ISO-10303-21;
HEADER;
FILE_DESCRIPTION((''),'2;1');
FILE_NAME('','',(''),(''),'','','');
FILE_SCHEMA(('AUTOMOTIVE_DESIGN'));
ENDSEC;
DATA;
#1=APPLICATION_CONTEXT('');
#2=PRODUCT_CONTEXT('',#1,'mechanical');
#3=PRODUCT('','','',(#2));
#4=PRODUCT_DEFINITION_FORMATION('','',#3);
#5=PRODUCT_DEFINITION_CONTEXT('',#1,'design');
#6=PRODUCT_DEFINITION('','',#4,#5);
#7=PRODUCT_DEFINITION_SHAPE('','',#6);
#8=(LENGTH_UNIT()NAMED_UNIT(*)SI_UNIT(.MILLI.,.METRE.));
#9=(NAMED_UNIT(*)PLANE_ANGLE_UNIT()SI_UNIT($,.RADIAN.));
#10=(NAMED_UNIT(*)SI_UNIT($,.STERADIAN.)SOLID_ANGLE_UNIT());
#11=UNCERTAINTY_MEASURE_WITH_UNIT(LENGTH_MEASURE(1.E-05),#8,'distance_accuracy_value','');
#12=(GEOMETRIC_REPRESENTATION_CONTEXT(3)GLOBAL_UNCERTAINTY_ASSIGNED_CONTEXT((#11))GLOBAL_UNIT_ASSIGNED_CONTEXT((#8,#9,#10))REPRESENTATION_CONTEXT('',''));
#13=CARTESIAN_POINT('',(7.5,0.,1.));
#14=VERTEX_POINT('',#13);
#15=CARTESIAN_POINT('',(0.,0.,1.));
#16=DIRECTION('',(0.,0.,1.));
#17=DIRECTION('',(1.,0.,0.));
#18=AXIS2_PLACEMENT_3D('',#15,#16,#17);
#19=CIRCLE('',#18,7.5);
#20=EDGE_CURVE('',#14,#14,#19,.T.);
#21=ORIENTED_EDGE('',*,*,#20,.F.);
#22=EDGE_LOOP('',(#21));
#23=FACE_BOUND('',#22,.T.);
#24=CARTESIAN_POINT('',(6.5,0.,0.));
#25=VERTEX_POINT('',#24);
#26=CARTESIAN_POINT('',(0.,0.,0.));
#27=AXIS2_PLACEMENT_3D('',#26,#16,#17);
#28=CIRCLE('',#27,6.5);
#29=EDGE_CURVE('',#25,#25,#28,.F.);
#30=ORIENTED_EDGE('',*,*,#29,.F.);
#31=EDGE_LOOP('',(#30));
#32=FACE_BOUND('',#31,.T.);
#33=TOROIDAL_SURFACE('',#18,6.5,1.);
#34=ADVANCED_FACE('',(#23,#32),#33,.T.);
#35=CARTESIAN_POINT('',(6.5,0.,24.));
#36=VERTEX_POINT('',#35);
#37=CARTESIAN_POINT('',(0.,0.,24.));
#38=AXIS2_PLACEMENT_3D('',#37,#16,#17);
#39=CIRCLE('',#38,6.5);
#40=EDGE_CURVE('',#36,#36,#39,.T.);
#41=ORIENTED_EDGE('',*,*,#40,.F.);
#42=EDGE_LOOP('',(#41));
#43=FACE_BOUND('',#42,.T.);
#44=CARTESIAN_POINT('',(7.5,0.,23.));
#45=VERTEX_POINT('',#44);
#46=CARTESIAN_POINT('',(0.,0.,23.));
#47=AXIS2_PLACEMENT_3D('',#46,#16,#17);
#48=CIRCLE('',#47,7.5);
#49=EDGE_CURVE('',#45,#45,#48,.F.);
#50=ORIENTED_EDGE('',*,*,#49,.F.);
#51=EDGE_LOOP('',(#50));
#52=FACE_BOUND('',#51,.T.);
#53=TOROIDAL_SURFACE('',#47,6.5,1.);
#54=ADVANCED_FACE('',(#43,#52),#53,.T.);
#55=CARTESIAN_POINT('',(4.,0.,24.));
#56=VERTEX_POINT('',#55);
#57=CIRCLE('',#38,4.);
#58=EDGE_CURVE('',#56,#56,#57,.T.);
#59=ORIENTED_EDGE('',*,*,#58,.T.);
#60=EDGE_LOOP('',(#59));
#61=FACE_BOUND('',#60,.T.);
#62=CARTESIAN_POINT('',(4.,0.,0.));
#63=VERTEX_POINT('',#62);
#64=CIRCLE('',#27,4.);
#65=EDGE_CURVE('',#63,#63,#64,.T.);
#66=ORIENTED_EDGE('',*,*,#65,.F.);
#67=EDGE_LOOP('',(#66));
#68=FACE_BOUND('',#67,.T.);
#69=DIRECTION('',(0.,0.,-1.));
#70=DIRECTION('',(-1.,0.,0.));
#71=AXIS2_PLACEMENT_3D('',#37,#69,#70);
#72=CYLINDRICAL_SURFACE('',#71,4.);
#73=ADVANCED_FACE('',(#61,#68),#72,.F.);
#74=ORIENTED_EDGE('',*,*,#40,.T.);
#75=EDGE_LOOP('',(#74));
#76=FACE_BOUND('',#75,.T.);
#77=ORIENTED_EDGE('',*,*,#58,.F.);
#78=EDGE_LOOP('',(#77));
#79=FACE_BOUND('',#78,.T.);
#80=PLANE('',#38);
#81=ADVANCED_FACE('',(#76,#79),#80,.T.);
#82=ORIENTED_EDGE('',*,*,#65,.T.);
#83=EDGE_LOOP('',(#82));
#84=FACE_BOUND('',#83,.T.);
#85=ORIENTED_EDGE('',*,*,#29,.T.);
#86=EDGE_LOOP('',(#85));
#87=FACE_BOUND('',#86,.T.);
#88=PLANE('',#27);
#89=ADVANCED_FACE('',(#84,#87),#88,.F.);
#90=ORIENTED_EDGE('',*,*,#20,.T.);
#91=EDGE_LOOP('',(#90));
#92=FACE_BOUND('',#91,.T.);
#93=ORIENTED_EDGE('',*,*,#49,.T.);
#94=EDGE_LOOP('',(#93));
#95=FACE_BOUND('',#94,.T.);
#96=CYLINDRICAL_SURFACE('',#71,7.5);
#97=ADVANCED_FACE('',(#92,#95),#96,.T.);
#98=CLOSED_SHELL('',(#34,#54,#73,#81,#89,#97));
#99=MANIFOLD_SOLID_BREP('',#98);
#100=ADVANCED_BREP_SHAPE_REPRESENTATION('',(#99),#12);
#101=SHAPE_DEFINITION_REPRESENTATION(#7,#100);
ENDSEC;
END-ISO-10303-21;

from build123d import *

# Parameters (mm, degrees)
SKETCH1_R           = 7.5
SKETCH1_R_2         = 4
BOSS_EXTRUDE1_DEPTH = 24
FILLET2_R           = 1


with BuildPart() as part:
    # Sketch1 → Boss-Extrude1 (new body)
    with BuildSketch(Plane.XY):
        Circle(SKETCH1_R)
        Circle(SKETCH1_R_2, mode=Mode.SUBTRACT)
    extrude(amount=BOSS_EXTRUDE1_DEPTH)

    # Fillet2
    fillet2_edges = [part.edges().sort_by_distance(p)[0] for p in [
        (-7.5, 0, 0),
        (-7.5, 0, 24),
    ]]
    fillet(fillet2_edges, radius=FILLET2_R)


solid = part.part
